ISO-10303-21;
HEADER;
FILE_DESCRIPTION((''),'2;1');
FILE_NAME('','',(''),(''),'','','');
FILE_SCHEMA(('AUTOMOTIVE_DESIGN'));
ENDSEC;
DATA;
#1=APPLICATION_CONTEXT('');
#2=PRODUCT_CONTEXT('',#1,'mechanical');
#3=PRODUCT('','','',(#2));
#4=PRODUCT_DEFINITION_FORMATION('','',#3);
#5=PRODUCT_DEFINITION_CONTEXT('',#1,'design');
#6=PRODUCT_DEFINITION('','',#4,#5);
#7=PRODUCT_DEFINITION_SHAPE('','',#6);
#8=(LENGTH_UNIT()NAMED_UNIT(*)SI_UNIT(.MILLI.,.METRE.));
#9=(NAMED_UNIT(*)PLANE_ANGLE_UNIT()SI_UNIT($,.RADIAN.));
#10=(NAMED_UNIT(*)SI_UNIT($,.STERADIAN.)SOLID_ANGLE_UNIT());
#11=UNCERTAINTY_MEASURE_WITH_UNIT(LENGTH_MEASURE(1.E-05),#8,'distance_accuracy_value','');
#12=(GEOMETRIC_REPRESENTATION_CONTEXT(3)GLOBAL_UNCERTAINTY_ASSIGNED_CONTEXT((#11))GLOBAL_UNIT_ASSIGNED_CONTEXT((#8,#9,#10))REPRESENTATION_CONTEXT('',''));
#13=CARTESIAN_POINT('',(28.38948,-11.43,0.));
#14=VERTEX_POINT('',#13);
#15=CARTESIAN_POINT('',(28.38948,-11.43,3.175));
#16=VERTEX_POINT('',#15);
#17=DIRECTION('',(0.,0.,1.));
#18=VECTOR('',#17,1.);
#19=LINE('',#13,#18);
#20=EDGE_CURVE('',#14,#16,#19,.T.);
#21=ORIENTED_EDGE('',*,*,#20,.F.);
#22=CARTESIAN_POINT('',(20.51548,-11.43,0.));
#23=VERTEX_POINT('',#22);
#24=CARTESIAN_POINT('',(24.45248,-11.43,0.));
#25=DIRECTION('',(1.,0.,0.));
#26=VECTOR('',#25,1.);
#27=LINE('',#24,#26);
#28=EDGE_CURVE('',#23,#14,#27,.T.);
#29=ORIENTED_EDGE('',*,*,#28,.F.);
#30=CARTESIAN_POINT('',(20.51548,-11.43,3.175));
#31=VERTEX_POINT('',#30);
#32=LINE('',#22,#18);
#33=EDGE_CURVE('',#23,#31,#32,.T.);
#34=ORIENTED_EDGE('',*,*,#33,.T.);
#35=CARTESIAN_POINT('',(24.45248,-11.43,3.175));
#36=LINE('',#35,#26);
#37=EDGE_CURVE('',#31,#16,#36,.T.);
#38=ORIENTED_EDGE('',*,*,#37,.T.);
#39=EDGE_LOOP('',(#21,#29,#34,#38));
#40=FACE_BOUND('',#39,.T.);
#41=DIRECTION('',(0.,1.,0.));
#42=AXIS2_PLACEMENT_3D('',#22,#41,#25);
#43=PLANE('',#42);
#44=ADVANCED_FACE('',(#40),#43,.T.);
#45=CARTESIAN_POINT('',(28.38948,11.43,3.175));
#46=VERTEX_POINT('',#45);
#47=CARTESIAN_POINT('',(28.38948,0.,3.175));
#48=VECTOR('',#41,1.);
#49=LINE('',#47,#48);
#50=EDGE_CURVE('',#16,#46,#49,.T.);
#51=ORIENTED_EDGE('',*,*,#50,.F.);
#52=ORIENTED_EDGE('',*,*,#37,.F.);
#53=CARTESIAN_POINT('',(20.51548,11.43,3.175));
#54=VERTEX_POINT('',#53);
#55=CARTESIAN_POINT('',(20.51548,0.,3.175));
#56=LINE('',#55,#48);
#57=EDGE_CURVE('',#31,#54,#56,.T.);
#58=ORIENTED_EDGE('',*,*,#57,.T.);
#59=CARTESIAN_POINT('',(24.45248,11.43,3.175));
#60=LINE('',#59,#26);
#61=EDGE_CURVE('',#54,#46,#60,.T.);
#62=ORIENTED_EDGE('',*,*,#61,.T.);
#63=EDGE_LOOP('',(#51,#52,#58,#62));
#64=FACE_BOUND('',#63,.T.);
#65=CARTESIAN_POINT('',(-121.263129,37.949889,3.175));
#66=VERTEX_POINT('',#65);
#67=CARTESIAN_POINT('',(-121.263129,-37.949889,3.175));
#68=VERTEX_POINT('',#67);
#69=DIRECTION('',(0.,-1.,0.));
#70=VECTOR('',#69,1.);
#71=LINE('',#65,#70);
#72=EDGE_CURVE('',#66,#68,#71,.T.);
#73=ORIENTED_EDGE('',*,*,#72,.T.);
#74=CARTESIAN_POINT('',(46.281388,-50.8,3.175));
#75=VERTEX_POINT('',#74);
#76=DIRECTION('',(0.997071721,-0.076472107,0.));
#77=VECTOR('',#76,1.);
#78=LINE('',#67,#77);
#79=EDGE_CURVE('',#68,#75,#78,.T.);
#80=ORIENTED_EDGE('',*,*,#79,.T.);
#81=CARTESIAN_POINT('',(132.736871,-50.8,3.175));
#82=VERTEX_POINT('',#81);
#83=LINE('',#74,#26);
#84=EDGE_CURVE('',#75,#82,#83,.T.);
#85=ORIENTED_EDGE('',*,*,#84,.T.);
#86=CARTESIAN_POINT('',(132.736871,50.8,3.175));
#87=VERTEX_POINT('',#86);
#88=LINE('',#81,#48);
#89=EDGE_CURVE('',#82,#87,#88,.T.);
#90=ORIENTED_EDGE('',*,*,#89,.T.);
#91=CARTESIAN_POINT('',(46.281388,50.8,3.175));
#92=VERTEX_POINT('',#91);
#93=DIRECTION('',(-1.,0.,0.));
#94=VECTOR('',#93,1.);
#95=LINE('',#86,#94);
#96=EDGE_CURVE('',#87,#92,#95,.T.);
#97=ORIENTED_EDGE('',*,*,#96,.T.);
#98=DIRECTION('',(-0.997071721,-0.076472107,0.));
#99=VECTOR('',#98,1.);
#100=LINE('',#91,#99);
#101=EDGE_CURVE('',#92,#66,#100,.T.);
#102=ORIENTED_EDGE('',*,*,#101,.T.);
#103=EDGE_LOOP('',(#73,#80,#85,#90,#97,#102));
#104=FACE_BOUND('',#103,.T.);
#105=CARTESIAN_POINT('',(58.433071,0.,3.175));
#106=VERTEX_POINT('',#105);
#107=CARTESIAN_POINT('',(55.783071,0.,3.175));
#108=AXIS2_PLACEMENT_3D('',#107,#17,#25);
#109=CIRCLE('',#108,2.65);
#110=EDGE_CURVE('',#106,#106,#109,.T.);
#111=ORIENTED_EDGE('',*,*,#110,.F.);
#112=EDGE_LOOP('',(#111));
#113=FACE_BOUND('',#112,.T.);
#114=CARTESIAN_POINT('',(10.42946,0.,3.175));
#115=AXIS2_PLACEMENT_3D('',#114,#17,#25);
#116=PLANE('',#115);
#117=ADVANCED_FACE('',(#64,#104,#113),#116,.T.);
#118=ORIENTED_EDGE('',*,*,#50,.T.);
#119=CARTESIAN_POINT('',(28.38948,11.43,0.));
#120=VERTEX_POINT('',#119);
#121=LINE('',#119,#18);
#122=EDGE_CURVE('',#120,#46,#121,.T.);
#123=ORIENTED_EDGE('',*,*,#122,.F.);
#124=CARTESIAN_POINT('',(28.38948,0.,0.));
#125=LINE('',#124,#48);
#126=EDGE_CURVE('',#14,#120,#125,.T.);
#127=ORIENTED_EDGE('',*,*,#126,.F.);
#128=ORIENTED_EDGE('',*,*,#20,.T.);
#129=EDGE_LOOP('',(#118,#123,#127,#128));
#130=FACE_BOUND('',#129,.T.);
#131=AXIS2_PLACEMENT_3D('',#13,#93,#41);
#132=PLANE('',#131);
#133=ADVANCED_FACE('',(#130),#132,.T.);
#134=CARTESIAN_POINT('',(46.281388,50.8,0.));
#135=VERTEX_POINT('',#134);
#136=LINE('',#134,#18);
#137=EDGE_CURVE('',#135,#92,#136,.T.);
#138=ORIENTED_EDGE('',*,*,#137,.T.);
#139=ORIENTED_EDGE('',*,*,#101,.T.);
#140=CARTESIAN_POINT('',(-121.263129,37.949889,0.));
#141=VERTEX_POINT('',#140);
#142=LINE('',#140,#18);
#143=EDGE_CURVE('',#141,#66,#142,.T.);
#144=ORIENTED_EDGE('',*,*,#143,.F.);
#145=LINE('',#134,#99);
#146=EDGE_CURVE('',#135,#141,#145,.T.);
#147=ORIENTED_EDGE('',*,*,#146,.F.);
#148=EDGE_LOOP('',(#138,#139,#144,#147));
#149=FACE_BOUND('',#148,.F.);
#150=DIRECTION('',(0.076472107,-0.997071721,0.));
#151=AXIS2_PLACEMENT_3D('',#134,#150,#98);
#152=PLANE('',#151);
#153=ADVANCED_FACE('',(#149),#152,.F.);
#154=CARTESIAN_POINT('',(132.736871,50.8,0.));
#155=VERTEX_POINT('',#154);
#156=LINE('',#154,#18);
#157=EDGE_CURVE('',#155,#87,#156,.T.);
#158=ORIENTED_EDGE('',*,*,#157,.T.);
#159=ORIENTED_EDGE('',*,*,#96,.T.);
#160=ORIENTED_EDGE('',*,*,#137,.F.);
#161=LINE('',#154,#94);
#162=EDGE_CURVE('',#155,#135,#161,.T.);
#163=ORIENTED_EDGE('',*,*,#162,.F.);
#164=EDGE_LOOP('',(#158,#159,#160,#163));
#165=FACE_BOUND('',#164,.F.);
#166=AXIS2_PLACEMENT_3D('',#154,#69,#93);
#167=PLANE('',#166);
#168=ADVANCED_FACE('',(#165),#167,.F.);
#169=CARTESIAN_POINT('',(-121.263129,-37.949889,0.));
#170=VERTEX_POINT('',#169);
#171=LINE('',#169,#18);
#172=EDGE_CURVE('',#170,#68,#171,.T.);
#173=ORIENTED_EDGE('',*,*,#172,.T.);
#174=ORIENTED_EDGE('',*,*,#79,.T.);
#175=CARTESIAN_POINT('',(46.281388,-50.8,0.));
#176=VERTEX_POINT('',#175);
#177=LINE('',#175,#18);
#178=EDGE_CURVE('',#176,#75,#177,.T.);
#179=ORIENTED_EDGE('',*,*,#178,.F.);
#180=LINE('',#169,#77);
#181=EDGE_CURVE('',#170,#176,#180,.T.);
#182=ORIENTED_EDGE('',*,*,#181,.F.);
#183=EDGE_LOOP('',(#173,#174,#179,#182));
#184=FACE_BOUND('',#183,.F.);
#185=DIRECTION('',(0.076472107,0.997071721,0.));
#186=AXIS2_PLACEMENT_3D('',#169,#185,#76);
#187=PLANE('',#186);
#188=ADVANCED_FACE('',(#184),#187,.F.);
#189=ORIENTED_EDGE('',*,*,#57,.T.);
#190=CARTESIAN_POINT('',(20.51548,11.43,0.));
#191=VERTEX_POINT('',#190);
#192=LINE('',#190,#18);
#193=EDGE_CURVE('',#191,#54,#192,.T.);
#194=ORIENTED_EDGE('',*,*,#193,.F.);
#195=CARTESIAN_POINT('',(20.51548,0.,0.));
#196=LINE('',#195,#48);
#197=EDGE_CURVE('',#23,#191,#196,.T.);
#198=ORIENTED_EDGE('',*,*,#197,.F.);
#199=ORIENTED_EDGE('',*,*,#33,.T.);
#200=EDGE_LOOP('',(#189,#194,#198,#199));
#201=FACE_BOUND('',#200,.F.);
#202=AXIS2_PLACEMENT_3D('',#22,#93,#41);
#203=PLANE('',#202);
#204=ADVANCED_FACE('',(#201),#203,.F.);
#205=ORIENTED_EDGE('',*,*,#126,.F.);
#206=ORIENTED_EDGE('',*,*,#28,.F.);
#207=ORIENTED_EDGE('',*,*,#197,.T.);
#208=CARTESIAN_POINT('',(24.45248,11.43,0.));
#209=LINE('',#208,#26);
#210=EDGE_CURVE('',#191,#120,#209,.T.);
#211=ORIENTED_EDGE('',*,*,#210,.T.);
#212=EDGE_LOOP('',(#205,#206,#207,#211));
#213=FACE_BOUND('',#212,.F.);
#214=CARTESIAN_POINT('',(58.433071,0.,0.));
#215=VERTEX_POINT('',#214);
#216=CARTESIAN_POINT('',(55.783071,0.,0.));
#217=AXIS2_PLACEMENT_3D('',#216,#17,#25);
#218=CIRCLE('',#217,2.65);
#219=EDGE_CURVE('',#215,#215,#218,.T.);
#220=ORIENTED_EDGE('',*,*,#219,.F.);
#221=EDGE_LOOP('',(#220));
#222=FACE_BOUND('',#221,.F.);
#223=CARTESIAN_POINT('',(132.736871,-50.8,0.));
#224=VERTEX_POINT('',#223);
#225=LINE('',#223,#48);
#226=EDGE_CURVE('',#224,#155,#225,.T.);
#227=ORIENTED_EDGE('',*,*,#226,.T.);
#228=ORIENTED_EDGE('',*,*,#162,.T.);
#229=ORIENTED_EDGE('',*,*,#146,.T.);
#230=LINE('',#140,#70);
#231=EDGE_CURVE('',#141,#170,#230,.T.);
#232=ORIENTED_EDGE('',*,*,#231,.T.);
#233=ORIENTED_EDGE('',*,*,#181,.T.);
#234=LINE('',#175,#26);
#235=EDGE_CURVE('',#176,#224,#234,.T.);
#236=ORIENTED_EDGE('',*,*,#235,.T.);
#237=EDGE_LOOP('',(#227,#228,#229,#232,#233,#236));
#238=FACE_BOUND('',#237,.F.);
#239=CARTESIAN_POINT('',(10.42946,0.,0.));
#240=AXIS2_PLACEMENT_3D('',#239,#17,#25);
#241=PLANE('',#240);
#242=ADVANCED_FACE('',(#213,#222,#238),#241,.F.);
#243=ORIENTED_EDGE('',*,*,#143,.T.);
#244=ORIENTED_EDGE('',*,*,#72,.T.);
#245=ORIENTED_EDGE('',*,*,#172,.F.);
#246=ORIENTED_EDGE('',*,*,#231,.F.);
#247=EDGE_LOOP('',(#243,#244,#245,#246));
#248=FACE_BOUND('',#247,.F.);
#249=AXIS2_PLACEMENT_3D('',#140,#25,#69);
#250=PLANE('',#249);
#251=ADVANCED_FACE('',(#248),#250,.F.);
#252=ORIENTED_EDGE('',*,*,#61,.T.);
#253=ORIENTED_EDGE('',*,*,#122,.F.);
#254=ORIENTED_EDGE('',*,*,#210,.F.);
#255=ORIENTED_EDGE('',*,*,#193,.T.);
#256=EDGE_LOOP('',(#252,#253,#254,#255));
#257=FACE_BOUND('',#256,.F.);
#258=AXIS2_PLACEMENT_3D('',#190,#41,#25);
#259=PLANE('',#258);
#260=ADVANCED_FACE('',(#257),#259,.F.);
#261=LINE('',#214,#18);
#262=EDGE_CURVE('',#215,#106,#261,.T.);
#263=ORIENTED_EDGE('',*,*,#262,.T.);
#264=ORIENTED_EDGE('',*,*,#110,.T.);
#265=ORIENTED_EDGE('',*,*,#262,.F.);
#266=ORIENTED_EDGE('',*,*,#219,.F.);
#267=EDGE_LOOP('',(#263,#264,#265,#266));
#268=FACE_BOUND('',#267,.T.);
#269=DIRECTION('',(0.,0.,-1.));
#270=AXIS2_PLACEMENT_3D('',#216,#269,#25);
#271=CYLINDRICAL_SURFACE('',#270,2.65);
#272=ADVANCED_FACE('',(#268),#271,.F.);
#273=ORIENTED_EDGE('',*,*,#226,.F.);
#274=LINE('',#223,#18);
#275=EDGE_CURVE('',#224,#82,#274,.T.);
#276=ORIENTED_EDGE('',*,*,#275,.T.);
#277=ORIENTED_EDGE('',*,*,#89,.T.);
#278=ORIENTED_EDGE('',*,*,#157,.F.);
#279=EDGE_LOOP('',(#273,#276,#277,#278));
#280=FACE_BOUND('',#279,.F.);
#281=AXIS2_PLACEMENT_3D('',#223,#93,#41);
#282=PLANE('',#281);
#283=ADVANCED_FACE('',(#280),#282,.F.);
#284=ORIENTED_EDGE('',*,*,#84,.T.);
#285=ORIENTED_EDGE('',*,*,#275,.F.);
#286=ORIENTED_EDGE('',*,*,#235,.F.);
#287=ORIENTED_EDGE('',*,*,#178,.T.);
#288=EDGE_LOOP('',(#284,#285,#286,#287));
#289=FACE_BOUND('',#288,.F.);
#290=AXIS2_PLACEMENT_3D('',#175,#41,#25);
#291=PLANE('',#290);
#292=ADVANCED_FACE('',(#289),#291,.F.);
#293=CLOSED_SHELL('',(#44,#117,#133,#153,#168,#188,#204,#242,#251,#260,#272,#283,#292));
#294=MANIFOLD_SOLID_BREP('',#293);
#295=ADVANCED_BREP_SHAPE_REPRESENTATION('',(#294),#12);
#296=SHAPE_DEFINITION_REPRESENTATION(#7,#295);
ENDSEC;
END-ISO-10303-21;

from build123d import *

# Parameters (mm, degrees)
F0_W     = 7.874
F0_H     = 22.86
F0_R     = 2.65
F1_DEPTH = 3.175


with BuildPart() as f1:
    # F0 (on Top) → F1 (new body)
    with BuildSketch(Plane.XY):
        Polygon((132.736871, 50.8), (46.281388, 50.8), (-121.263129, 37.949889), (-121.263129, -37.949889), (46.281388, -50.8), (132.736871, -50.8), align=None)
        with Locations((24.45248, 0)):
            Rectangle(F0_W, F0_H, mode=Mode.SUBTRACT)
        with Locations((55.783071, 0)):
            Circle(F0_R, mode=Mode.SUBTRACT)
    extrude(amount=F1_DEPTH)


solid = f1.part
